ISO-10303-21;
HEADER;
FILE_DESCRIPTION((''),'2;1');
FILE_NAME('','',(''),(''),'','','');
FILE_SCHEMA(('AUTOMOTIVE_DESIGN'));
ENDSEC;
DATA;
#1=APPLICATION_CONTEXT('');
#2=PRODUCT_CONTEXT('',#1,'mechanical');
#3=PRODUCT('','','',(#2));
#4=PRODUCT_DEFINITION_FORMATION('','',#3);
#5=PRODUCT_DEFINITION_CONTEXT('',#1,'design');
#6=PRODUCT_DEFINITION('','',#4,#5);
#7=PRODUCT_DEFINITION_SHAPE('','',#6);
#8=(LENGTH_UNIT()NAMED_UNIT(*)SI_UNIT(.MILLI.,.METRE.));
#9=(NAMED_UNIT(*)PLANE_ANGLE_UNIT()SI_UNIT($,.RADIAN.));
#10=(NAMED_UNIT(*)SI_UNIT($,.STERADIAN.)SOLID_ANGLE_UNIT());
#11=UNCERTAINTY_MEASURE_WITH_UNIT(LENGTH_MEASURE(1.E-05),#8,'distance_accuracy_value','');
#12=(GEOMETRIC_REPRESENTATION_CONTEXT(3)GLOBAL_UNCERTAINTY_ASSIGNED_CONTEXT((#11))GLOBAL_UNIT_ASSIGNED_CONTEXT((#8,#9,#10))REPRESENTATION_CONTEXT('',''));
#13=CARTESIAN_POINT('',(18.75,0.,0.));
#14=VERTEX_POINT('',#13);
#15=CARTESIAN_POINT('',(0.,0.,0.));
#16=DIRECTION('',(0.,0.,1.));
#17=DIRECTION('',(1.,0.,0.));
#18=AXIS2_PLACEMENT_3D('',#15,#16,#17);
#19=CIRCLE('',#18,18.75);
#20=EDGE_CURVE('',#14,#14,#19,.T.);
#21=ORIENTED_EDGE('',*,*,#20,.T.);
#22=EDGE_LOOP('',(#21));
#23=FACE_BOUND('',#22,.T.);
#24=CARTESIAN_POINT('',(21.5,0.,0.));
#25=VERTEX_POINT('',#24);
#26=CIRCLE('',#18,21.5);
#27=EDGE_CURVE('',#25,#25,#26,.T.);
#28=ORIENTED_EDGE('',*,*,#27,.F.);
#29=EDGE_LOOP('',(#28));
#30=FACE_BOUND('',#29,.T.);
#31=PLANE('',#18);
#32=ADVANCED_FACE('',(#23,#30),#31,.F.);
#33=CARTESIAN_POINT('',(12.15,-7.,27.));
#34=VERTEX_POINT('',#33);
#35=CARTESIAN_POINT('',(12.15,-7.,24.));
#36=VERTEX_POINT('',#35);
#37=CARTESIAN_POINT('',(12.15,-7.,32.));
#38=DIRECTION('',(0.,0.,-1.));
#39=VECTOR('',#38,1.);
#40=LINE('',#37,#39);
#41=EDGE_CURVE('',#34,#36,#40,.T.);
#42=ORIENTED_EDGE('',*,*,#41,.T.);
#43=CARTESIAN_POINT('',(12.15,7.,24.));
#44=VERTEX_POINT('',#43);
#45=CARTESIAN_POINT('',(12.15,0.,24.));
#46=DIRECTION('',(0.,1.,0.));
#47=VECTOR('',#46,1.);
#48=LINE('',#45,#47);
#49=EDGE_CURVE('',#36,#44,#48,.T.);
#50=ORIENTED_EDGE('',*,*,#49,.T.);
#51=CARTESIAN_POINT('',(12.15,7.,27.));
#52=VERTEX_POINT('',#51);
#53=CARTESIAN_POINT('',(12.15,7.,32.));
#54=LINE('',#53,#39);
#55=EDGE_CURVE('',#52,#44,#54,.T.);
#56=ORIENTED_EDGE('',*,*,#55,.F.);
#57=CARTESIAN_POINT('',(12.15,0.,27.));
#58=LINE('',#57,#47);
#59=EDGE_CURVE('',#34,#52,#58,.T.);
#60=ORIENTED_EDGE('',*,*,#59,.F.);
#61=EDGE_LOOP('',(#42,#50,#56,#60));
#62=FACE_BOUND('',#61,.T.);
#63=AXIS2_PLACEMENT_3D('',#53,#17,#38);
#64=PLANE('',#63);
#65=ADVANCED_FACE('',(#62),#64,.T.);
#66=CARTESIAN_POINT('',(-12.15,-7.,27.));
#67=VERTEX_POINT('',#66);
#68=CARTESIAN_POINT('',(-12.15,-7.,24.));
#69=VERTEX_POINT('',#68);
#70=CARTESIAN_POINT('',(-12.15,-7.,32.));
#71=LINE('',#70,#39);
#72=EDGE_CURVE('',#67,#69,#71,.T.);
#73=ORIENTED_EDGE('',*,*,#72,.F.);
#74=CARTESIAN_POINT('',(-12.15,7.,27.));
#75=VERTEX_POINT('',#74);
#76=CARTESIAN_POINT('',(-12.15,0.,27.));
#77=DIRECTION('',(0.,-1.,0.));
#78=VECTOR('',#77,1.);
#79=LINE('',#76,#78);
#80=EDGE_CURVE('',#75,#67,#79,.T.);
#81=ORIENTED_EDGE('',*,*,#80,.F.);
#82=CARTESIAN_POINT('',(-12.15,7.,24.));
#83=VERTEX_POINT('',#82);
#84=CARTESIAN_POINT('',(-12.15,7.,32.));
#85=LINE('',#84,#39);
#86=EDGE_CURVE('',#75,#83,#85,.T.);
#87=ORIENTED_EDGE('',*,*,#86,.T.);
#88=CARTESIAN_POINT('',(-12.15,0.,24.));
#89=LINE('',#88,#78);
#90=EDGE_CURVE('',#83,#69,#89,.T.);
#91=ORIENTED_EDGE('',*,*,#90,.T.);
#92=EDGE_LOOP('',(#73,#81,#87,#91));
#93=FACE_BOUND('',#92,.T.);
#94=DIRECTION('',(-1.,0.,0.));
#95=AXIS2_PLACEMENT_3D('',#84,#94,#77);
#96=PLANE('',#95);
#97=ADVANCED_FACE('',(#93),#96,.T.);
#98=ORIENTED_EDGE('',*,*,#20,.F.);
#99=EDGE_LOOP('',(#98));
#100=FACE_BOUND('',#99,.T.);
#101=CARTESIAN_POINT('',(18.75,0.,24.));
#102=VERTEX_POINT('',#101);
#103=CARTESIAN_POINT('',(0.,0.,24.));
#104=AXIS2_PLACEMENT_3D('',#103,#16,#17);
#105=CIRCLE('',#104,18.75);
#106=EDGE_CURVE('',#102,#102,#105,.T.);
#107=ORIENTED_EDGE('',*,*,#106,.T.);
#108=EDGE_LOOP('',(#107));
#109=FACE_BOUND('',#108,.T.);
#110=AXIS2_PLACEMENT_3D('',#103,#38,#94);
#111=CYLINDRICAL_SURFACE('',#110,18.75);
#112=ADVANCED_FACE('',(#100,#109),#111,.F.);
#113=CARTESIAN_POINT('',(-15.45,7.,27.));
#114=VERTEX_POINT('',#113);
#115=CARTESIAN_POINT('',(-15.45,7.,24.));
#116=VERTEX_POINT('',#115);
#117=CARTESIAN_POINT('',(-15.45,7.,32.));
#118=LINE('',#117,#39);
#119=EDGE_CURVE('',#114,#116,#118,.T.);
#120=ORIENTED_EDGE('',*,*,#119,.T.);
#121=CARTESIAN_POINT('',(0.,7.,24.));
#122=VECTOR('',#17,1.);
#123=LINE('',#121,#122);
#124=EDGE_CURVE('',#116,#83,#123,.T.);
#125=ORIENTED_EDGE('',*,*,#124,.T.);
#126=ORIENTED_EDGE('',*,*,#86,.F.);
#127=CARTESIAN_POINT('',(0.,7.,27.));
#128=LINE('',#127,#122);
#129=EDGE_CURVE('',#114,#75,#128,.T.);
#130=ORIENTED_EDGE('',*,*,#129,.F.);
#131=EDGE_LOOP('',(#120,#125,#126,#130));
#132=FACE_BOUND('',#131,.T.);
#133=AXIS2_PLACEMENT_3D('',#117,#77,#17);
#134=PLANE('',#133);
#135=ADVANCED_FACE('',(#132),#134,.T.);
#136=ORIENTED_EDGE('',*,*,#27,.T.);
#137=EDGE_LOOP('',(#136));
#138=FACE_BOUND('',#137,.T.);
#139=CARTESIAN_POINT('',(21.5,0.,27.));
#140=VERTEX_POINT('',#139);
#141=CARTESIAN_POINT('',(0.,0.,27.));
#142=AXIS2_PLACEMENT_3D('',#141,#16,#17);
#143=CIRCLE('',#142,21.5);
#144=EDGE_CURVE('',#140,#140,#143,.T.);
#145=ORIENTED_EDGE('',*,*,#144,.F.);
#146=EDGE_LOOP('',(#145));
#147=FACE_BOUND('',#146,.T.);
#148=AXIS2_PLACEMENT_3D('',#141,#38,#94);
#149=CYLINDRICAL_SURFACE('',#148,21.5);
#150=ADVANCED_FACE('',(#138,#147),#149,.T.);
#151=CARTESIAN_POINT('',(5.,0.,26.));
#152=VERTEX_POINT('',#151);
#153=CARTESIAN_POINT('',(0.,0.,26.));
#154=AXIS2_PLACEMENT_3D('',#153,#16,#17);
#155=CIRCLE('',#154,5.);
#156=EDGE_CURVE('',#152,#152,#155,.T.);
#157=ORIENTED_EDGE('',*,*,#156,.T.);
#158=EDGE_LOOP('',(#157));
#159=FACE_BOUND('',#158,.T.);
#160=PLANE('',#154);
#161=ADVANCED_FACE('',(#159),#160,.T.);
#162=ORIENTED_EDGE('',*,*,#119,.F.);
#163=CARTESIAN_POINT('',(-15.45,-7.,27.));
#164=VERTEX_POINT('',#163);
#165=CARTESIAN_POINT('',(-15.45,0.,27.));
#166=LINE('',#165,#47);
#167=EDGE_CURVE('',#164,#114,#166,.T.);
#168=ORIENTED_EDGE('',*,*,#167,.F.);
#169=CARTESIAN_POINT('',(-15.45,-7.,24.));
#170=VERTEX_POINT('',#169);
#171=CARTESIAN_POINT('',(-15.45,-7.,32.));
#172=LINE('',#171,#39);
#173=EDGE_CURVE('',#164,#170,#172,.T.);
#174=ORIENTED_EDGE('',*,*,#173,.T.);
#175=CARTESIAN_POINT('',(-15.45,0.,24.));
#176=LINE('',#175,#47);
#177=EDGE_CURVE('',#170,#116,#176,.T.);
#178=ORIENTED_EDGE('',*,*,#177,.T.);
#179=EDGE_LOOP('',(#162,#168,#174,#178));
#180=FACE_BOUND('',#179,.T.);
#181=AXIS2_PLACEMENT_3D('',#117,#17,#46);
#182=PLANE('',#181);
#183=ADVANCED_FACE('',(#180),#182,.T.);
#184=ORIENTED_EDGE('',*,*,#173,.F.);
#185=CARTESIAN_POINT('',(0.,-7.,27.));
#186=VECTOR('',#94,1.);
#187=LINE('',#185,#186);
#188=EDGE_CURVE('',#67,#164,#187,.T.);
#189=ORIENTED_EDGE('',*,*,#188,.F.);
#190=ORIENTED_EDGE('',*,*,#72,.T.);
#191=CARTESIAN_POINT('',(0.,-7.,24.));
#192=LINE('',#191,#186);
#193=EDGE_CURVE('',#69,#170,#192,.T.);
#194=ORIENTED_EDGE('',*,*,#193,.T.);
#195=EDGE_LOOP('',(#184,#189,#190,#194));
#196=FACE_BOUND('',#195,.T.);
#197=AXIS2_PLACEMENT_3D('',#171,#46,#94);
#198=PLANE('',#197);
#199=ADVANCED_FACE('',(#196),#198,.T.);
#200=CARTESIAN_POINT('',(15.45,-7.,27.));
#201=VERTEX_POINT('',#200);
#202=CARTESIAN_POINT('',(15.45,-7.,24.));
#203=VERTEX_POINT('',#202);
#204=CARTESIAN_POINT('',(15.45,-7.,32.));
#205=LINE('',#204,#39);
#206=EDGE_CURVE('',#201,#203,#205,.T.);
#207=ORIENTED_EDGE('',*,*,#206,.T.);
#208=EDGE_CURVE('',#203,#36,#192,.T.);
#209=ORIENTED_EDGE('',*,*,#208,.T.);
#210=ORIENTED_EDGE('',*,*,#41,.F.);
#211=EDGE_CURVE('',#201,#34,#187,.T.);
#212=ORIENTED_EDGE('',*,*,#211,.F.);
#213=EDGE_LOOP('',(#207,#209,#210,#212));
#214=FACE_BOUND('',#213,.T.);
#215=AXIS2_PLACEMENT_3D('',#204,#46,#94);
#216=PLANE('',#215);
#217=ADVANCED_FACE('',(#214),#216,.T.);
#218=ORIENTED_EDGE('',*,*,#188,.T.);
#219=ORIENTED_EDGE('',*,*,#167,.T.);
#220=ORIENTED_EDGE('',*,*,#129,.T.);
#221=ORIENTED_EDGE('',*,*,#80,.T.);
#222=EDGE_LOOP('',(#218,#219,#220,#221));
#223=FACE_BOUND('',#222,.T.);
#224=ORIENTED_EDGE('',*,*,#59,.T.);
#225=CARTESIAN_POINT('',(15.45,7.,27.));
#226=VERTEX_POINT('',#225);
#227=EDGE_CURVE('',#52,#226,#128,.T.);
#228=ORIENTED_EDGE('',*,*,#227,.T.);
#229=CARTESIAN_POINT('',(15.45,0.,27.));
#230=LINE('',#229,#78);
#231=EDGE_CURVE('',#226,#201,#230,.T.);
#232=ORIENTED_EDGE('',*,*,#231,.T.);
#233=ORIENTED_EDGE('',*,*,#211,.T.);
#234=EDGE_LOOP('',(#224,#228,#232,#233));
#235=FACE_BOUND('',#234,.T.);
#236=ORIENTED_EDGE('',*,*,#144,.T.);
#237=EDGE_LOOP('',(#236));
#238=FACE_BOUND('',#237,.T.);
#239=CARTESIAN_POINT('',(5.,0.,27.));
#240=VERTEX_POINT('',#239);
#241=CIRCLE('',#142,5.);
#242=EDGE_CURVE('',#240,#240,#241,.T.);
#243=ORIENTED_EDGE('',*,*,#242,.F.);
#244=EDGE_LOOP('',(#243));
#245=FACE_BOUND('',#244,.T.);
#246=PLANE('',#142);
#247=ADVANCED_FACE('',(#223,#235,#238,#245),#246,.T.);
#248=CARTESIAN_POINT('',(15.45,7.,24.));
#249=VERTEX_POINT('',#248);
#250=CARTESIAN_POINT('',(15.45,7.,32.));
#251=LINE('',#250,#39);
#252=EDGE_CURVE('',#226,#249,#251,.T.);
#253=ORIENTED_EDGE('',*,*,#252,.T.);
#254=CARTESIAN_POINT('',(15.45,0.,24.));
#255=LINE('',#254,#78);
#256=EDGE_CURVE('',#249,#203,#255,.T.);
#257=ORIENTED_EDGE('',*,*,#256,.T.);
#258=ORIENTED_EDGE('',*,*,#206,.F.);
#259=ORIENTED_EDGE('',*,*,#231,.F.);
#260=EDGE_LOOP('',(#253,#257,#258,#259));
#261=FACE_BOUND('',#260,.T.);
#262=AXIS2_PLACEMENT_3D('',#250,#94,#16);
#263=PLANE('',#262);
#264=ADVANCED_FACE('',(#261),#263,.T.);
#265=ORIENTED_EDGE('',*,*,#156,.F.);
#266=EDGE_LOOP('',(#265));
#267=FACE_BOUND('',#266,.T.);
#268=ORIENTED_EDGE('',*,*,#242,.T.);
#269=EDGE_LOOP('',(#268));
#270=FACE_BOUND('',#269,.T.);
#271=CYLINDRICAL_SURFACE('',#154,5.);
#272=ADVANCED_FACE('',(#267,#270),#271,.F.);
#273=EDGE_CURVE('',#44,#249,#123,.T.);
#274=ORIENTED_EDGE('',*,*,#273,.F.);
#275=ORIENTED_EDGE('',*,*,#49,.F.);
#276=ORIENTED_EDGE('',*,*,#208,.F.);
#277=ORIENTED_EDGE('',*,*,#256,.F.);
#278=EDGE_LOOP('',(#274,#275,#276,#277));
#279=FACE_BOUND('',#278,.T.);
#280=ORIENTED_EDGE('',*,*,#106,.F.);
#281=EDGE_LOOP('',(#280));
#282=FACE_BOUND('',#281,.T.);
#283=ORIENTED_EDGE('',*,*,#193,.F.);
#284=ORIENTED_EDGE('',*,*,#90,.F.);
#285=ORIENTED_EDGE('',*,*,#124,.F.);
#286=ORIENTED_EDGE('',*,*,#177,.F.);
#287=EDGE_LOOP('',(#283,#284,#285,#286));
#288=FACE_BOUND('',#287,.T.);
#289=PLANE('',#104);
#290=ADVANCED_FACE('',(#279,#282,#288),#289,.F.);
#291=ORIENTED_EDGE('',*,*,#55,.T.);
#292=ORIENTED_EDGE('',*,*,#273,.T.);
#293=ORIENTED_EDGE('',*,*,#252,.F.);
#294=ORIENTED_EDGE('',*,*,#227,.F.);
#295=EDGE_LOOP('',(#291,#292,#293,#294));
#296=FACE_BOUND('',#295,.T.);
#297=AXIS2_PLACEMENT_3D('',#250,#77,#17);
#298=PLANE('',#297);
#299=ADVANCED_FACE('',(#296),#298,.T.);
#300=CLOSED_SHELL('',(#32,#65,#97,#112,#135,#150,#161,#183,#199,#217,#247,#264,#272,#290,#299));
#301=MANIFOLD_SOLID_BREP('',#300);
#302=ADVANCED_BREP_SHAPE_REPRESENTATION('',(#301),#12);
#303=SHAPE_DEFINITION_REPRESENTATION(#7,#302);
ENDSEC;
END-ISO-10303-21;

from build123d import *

# Parameters (mm, degrees)
SKETCH1_R           = 21.5
BOSS_EXTRUDE1_DEPTH = 27
SKETCH2_R           = 18.75
CUT_EXTRUDE2_DEPTH  = 24
SKETCH4_W           = 3.3
SKETCH4_H           = 14
CUT_EXTRUDE6_DEPTH  = 32
SKETCH7_R           = 5
CUT_EXTRUDE8_DEPTH  = 1


with BuildPart() as part:
    # Sketch1 → Boss-Extrude1 (new body)
    with BuildSketch(Plane.XY):
        Circle(SKETCH1_R)
    extrude(amount=BOSS_EXTRUDE1_DEPTH)

    # Sketch2 → Cut-Extrude2 (cut)
    with BuildSketch(Plane.XY):
        Circle(SKETCH2_R)
    extrude(amount=CUT_EXTRUDE2_DEPTH, mode=Mode.SUBTRACT)

    # Sketch4 → Cut-Extrude6 (cut)
    with BuildSketch(Plane.XY):
        with Locations((13.8, 0)):
            Rectangle(SKETCH4_W, SKETCH4_H)
        with Locations((-13.8, 0)):
            Rectangle(SKETCH4_W, SKETCH4_H)
    extrude(amount=CUT_EXTRUDE6_DEPTH, mode=Mode.SUBTRACT)

    # Sketch7 → Cut-Extrude8 (cut)
    with BuildSketch(Plane.XY.offset(27)):
        Circle(SKETCH7_R)
    extrude(amount=-CUT_EXTRUDE8_DEPTH, mode=Mode.SUBTRACT)


solid = part.part
